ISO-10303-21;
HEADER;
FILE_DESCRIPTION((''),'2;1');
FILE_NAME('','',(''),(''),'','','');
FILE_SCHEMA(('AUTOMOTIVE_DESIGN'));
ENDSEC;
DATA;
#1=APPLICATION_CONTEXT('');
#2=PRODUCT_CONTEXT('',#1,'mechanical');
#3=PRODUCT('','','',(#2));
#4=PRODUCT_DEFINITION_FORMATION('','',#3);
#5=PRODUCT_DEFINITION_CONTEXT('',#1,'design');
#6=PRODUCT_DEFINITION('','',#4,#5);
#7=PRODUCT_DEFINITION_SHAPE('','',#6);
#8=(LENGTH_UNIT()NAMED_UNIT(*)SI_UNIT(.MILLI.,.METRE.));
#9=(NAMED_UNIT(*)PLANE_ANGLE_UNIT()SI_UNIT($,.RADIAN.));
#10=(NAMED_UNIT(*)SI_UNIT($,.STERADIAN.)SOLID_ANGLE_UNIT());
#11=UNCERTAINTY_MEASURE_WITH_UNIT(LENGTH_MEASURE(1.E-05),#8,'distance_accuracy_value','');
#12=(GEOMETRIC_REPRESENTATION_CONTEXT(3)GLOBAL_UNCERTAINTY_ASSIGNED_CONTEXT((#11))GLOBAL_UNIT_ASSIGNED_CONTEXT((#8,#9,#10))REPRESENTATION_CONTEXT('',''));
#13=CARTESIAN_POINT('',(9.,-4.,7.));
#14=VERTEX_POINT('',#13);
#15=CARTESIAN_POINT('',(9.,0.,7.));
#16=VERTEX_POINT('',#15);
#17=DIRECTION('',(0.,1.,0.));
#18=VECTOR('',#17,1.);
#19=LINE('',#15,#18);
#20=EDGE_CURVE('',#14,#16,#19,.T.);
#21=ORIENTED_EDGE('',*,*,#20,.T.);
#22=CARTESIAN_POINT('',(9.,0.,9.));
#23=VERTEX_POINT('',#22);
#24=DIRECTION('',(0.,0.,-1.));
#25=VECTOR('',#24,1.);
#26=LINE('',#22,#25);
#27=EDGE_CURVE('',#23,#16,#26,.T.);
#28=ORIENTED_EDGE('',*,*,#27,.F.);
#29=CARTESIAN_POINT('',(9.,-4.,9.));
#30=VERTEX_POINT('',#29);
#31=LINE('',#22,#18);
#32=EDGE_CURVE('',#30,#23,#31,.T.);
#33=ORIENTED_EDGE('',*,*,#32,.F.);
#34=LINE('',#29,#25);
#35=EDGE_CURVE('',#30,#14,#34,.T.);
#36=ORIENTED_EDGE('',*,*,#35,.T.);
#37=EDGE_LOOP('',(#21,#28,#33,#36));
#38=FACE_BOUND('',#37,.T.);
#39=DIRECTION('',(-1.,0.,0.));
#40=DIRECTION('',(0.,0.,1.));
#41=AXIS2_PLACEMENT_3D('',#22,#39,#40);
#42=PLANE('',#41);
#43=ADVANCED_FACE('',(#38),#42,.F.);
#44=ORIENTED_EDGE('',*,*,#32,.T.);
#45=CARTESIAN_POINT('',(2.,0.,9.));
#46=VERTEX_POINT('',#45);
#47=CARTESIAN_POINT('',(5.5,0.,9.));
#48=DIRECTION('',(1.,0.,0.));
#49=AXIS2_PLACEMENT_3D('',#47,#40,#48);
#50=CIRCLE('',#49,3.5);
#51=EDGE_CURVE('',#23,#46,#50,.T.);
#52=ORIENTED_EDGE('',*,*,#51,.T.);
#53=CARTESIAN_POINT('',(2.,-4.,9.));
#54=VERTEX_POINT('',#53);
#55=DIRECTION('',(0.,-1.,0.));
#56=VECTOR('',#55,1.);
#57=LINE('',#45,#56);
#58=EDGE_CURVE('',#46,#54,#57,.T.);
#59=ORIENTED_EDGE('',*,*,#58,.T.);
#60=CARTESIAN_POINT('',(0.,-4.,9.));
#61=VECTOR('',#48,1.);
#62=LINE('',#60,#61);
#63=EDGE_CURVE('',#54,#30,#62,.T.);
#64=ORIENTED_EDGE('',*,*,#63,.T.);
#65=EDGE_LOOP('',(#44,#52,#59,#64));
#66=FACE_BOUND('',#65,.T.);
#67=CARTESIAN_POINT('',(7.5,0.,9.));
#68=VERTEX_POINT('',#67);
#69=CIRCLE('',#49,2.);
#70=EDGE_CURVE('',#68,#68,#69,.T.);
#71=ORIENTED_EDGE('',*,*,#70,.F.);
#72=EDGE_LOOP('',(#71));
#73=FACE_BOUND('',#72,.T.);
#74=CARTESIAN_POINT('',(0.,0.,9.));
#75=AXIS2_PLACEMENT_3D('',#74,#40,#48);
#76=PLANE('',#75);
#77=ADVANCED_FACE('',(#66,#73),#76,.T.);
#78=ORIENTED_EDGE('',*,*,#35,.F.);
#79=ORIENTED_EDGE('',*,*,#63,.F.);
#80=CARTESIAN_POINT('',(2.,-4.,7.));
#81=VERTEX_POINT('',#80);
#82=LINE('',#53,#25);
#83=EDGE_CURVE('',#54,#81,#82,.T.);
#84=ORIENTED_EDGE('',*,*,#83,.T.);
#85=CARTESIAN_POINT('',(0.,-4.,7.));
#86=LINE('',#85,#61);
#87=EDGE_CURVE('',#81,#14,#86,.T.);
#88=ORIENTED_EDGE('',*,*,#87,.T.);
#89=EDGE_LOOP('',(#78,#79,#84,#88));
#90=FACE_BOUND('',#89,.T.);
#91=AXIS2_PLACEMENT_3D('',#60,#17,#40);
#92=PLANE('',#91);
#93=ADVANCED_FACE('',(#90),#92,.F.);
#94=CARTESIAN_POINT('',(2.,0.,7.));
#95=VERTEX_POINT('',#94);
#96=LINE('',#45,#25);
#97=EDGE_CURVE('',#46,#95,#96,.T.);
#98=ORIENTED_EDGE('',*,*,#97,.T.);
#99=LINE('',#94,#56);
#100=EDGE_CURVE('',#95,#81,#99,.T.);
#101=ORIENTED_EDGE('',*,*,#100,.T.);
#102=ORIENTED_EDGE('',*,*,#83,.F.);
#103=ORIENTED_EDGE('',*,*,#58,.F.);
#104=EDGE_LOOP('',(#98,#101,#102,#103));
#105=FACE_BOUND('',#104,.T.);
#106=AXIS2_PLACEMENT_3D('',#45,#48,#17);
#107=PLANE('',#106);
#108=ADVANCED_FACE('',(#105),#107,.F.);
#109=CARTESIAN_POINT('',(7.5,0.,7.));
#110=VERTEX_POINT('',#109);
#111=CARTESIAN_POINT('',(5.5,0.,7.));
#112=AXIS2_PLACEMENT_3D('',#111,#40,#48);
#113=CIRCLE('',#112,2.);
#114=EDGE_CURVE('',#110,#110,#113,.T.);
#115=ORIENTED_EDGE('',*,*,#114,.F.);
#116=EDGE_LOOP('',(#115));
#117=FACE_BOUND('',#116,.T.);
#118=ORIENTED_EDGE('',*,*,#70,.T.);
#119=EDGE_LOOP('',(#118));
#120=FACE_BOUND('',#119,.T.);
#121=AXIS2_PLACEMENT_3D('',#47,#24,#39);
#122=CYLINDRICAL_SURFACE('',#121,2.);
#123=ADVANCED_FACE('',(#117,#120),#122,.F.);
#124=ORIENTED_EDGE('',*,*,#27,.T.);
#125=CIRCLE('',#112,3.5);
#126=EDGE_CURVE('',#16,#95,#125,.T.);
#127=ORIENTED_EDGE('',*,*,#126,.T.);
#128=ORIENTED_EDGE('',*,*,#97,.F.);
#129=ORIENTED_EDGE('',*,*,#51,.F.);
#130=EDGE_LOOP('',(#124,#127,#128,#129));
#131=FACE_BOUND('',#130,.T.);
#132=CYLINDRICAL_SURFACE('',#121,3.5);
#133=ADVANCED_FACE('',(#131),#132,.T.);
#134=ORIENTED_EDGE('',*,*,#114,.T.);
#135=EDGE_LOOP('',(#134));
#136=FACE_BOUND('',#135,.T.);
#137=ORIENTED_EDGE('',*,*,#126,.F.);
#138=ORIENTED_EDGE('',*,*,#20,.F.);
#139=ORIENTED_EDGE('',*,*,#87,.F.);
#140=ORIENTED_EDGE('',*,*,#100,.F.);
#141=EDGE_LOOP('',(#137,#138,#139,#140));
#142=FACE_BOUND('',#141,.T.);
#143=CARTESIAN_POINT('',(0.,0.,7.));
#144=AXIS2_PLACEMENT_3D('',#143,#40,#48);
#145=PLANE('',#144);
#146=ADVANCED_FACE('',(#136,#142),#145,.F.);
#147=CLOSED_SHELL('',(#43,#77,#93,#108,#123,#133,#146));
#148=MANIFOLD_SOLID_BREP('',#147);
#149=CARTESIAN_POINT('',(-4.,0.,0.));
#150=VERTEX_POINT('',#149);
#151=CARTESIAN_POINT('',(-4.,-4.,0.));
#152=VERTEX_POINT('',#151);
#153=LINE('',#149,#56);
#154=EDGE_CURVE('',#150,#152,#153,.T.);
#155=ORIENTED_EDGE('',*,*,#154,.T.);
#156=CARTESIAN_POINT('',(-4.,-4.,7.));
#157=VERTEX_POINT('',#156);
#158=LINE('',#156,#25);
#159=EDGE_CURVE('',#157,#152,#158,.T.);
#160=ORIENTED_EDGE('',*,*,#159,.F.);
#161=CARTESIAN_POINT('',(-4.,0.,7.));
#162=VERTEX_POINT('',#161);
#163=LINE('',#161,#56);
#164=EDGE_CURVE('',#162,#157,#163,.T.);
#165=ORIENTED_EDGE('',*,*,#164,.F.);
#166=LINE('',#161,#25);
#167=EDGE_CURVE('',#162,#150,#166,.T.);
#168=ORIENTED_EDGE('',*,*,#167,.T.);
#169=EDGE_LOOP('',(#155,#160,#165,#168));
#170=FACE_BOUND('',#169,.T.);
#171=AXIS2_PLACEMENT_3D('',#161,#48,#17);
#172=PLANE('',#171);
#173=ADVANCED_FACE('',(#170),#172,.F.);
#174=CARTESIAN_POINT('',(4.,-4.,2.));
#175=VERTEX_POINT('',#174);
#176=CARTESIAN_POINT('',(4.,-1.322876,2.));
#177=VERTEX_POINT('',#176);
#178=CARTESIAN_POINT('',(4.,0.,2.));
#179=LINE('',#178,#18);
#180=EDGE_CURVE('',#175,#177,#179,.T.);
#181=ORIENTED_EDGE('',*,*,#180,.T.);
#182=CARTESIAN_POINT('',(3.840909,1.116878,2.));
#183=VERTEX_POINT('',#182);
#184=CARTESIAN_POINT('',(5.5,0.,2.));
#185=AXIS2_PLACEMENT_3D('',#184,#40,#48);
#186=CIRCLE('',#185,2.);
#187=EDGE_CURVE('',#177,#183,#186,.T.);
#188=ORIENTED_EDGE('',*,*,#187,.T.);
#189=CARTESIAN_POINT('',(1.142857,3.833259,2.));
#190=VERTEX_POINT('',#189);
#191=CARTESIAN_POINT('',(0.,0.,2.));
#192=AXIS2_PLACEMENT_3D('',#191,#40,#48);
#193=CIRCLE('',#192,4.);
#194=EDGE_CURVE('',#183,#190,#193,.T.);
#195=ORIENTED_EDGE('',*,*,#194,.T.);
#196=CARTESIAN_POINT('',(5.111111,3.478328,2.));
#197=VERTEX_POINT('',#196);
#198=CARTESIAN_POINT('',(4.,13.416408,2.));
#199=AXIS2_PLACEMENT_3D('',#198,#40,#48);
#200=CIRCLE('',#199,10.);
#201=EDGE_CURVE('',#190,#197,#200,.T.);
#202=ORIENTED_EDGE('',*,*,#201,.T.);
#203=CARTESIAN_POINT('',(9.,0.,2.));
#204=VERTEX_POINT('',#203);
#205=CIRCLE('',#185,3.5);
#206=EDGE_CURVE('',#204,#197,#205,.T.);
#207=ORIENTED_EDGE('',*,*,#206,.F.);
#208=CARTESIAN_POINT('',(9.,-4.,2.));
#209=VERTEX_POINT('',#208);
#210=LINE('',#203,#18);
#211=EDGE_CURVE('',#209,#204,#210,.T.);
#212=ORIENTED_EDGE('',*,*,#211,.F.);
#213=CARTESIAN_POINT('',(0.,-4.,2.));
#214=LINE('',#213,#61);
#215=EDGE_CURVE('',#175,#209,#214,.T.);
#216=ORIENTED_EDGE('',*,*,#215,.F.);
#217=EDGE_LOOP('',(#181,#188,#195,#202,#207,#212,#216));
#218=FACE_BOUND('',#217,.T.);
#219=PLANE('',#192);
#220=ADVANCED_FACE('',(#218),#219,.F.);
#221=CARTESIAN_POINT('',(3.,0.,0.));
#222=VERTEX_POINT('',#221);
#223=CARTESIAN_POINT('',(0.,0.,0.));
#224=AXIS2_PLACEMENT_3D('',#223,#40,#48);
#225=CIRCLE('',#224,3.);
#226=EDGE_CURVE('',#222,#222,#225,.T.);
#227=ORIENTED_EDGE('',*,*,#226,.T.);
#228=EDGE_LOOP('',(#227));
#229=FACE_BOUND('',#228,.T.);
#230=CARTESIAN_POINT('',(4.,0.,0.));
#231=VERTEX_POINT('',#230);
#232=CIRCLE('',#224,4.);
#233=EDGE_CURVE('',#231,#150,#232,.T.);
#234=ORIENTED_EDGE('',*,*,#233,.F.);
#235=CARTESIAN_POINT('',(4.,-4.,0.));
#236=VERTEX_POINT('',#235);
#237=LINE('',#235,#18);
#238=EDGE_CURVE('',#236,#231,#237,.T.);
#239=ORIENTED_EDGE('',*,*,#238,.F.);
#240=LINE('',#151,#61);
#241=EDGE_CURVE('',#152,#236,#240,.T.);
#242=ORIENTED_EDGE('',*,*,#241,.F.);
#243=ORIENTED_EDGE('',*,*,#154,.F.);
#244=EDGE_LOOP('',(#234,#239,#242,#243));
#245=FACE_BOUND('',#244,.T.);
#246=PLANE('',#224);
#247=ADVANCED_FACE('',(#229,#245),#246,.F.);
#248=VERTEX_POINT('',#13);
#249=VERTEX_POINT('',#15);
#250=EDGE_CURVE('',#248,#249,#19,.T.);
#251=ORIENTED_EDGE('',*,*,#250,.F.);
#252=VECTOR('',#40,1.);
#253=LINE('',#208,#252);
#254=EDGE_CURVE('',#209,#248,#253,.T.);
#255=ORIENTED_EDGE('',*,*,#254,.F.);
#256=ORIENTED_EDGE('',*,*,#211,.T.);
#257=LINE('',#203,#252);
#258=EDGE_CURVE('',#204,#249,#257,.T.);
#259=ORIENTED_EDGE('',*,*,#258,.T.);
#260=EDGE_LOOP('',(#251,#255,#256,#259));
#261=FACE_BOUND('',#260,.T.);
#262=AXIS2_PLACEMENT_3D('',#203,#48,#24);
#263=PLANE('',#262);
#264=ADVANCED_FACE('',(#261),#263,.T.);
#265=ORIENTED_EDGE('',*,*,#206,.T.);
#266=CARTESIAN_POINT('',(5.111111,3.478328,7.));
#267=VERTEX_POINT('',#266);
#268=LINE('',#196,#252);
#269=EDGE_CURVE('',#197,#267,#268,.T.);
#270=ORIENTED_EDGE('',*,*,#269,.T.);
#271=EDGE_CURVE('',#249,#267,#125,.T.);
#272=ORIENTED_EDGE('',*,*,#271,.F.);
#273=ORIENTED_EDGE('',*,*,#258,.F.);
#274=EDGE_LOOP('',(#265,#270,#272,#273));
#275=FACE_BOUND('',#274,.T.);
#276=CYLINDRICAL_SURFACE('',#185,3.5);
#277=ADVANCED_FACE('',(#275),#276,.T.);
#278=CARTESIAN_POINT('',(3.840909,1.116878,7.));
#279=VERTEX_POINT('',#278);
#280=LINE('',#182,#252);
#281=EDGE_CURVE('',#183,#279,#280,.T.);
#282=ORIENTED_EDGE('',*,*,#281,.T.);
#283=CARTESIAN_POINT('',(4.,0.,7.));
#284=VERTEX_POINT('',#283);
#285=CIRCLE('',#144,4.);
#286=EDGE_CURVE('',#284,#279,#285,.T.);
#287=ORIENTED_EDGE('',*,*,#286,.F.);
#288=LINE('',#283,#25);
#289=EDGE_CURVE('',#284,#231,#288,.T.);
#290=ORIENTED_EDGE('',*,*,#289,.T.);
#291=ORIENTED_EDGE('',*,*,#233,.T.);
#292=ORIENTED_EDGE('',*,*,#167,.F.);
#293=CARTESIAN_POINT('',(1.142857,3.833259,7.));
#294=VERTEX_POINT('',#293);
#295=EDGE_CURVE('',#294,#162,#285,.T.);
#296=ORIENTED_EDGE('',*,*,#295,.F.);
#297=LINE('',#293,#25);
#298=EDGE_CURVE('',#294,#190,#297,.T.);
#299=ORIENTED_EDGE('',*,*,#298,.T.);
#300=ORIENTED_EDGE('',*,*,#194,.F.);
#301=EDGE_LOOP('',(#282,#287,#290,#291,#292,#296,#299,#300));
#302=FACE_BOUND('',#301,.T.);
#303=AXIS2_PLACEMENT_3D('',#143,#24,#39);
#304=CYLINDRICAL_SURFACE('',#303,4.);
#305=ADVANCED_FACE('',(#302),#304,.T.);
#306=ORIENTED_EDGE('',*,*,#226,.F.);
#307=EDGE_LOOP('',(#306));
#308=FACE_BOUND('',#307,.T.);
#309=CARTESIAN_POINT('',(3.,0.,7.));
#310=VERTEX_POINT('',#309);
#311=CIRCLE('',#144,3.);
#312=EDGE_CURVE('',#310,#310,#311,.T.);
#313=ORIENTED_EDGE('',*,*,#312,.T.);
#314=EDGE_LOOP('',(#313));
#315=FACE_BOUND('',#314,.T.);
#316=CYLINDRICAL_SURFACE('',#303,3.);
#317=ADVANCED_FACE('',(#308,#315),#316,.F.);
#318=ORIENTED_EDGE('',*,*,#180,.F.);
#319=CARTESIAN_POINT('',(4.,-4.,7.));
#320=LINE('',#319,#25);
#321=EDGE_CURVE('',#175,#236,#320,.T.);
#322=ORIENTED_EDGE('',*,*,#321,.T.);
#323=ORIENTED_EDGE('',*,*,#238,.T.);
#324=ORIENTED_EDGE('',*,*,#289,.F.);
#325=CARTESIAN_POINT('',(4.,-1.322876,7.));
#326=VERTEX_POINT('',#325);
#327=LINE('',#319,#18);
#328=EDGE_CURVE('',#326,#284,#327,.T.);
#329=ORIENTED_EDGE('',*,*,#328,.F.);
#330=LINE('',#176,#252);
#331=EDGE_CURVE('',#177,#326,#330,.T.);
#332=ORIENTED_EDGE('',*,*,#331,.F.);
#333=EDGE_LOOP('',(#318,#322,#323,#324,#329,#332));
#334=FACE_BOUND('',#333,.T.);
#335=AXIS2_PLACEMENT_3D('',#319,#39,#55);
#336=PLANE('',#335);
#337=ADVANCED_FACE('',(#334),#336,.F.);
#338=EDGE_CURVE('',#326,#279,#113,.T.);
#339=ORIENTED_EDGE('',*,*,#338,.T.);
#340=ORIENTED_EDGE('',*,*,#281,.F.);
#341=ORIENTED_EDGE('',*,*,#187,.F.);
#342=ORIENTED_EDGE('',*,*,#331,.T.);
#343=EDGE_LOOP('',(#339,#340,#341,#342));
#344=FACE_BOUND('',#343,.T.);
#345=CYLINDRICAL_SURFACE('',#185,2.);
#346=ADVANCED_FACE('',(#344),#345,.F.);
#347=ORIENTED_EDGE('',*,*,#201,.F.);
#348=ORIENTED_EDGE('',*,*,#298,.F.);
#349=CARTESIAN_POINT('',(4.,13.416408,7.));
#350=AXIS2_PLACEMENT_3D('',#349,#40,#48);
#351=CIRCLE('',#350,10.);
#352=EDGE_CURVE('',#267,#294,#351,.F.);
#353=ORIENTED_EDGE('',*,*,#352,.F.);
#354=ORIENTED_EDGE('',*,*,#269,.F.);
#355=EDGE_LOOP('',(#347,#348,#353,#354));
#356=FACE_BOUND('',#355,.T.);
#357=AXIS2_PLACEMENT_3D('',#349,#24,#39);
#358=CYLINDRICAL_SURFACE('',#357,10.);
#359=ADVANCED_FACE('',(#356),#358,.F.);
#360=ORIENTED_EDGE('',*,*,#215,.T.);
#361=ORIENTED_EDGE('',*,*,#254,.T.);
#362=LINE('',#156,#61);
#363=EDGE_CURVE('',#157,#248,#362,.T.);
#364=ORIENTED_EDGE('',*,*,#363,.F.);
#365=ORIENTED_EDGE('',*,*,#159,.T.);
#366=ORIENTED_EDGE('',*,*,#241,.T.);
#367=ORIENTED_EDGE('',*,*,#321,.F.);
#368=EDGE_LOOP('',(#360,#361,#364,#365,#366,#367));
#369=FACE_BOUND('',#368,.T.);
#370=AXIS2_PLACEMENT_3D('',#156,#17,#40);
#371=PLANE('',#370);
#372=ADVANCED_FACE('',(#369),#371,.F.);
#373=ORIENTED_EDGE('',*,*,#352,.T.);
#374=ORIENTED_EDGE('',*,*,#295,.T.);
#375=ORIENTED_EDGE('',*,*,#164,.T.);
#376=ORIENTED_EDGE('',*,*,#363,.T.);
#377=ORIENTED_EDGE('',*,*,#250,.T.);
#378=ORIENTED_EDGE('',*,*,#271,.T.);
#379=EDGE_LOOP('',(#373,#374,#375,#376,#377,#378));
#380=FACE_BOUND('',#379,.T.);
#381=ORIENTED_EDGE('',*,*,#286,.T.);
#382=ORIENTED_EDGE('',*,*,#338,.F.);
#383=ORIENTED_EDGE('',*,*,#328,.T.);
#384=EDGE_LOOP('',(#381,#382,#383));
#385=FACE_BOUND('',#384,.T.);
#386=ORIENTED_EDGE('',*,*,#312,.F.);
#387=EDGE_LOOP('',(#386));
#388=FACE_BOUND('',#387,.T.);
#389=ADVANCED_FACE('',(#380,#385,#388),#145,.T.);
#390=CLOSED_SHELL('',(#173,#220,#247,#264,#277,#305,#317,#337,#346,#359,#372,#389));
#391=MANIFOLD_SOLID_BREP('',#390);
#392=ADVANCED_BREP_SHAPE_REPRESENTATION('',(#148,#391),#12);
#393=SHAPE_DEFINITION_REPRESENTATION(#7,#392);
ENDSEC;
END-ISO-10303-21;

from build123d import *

# Parameters (mm, degrees)
SKETCH2_R           = 3
BOSS_EXTRUDE1_DEPTH = 7
BOSS_EXTRUDE2_START = -5
BOSS_EXTRUDE2_DEPTH = 5
SKETCH3_3_R         = 2
BOSS_EXTRUDE4_DEPTH = 2
FILLET1_R           = 10


with BuildPart() as part:
    # Sketch2 → Boss-Extrude1 (new body)
    with BuildSketch(Plane.XY):
        with BuildLine():
            Line((-4, 0), (-4, -4))
            Line((-4, -4), (4, -4))
            Line((4, -4), (4, 0))
            ThreePointArc((4, 0), (0, 4), (-4, 0))
        make_face()
        Circle(SKETCH2_R, mode=Mode.SUBTRACT)
    extrude(amount=BOSS_EXTRUDE1_DEPTH)

    # Sketch3 → Boss-Extrude2 (add)
    with BuildSketch(Plane.XY.offset(7).offset(BOSS_EXTRUDE2_START)):
        with BuildLine():
            ThreePointArc((9, 0), (6.881698559, 3.215728392), (3.090909091, 2.538952735))
            ThreePointArc((3.090909091, 2.538952735), (3.538092662, 1.86598508), (3.840909091, 1.116878398))
            ThreePointArc((3.840909091, 1.116878398), (6.083874208, 1.912875038), (7.5, 0))
            ThreePointArc((7.5, 0), (6.207106781, -1.870828693), (4, -1.322875656))
            Line((4, -1.322875656), (4, -4))
            Line((4, -4), (9, -4))
            Line((9, -4), (9, 0))
        make_face()
    extrude(amount=BOSS_EXTRUDE2_DEPTH)

    # Fillet1
    fillet1_edges = [part.edges().sort_by_distance(p)[0] for p in [
        (3.090909091, 2.538952735, 4.5),
    ]]
    fillet(fillet1_edges, radius=FILLET1_R)


with BuildPart() as body_2:
    # Sketch3<3> → Boss-Extrude4 (new body)
    with BuildSketch(Plane.XY.offset(7)):
        with BuildLine():
            Line((2, 0), (2, -4))
            Line((2, -4), (9, -4))
            Line((9, -4), (9, 0))
            ThreePointArc((9, 0), (5.5, 3.5), (2, 0))
        make_face()
        with Locations((5.5, 0)):
            Circle(SKETCH3_3_R, mode=Mode.SUBTRACT)
    extrude(amount=BOSS_EXTRUDE4_DEPTH)


solid = Compound([part.part, body_2.part])
